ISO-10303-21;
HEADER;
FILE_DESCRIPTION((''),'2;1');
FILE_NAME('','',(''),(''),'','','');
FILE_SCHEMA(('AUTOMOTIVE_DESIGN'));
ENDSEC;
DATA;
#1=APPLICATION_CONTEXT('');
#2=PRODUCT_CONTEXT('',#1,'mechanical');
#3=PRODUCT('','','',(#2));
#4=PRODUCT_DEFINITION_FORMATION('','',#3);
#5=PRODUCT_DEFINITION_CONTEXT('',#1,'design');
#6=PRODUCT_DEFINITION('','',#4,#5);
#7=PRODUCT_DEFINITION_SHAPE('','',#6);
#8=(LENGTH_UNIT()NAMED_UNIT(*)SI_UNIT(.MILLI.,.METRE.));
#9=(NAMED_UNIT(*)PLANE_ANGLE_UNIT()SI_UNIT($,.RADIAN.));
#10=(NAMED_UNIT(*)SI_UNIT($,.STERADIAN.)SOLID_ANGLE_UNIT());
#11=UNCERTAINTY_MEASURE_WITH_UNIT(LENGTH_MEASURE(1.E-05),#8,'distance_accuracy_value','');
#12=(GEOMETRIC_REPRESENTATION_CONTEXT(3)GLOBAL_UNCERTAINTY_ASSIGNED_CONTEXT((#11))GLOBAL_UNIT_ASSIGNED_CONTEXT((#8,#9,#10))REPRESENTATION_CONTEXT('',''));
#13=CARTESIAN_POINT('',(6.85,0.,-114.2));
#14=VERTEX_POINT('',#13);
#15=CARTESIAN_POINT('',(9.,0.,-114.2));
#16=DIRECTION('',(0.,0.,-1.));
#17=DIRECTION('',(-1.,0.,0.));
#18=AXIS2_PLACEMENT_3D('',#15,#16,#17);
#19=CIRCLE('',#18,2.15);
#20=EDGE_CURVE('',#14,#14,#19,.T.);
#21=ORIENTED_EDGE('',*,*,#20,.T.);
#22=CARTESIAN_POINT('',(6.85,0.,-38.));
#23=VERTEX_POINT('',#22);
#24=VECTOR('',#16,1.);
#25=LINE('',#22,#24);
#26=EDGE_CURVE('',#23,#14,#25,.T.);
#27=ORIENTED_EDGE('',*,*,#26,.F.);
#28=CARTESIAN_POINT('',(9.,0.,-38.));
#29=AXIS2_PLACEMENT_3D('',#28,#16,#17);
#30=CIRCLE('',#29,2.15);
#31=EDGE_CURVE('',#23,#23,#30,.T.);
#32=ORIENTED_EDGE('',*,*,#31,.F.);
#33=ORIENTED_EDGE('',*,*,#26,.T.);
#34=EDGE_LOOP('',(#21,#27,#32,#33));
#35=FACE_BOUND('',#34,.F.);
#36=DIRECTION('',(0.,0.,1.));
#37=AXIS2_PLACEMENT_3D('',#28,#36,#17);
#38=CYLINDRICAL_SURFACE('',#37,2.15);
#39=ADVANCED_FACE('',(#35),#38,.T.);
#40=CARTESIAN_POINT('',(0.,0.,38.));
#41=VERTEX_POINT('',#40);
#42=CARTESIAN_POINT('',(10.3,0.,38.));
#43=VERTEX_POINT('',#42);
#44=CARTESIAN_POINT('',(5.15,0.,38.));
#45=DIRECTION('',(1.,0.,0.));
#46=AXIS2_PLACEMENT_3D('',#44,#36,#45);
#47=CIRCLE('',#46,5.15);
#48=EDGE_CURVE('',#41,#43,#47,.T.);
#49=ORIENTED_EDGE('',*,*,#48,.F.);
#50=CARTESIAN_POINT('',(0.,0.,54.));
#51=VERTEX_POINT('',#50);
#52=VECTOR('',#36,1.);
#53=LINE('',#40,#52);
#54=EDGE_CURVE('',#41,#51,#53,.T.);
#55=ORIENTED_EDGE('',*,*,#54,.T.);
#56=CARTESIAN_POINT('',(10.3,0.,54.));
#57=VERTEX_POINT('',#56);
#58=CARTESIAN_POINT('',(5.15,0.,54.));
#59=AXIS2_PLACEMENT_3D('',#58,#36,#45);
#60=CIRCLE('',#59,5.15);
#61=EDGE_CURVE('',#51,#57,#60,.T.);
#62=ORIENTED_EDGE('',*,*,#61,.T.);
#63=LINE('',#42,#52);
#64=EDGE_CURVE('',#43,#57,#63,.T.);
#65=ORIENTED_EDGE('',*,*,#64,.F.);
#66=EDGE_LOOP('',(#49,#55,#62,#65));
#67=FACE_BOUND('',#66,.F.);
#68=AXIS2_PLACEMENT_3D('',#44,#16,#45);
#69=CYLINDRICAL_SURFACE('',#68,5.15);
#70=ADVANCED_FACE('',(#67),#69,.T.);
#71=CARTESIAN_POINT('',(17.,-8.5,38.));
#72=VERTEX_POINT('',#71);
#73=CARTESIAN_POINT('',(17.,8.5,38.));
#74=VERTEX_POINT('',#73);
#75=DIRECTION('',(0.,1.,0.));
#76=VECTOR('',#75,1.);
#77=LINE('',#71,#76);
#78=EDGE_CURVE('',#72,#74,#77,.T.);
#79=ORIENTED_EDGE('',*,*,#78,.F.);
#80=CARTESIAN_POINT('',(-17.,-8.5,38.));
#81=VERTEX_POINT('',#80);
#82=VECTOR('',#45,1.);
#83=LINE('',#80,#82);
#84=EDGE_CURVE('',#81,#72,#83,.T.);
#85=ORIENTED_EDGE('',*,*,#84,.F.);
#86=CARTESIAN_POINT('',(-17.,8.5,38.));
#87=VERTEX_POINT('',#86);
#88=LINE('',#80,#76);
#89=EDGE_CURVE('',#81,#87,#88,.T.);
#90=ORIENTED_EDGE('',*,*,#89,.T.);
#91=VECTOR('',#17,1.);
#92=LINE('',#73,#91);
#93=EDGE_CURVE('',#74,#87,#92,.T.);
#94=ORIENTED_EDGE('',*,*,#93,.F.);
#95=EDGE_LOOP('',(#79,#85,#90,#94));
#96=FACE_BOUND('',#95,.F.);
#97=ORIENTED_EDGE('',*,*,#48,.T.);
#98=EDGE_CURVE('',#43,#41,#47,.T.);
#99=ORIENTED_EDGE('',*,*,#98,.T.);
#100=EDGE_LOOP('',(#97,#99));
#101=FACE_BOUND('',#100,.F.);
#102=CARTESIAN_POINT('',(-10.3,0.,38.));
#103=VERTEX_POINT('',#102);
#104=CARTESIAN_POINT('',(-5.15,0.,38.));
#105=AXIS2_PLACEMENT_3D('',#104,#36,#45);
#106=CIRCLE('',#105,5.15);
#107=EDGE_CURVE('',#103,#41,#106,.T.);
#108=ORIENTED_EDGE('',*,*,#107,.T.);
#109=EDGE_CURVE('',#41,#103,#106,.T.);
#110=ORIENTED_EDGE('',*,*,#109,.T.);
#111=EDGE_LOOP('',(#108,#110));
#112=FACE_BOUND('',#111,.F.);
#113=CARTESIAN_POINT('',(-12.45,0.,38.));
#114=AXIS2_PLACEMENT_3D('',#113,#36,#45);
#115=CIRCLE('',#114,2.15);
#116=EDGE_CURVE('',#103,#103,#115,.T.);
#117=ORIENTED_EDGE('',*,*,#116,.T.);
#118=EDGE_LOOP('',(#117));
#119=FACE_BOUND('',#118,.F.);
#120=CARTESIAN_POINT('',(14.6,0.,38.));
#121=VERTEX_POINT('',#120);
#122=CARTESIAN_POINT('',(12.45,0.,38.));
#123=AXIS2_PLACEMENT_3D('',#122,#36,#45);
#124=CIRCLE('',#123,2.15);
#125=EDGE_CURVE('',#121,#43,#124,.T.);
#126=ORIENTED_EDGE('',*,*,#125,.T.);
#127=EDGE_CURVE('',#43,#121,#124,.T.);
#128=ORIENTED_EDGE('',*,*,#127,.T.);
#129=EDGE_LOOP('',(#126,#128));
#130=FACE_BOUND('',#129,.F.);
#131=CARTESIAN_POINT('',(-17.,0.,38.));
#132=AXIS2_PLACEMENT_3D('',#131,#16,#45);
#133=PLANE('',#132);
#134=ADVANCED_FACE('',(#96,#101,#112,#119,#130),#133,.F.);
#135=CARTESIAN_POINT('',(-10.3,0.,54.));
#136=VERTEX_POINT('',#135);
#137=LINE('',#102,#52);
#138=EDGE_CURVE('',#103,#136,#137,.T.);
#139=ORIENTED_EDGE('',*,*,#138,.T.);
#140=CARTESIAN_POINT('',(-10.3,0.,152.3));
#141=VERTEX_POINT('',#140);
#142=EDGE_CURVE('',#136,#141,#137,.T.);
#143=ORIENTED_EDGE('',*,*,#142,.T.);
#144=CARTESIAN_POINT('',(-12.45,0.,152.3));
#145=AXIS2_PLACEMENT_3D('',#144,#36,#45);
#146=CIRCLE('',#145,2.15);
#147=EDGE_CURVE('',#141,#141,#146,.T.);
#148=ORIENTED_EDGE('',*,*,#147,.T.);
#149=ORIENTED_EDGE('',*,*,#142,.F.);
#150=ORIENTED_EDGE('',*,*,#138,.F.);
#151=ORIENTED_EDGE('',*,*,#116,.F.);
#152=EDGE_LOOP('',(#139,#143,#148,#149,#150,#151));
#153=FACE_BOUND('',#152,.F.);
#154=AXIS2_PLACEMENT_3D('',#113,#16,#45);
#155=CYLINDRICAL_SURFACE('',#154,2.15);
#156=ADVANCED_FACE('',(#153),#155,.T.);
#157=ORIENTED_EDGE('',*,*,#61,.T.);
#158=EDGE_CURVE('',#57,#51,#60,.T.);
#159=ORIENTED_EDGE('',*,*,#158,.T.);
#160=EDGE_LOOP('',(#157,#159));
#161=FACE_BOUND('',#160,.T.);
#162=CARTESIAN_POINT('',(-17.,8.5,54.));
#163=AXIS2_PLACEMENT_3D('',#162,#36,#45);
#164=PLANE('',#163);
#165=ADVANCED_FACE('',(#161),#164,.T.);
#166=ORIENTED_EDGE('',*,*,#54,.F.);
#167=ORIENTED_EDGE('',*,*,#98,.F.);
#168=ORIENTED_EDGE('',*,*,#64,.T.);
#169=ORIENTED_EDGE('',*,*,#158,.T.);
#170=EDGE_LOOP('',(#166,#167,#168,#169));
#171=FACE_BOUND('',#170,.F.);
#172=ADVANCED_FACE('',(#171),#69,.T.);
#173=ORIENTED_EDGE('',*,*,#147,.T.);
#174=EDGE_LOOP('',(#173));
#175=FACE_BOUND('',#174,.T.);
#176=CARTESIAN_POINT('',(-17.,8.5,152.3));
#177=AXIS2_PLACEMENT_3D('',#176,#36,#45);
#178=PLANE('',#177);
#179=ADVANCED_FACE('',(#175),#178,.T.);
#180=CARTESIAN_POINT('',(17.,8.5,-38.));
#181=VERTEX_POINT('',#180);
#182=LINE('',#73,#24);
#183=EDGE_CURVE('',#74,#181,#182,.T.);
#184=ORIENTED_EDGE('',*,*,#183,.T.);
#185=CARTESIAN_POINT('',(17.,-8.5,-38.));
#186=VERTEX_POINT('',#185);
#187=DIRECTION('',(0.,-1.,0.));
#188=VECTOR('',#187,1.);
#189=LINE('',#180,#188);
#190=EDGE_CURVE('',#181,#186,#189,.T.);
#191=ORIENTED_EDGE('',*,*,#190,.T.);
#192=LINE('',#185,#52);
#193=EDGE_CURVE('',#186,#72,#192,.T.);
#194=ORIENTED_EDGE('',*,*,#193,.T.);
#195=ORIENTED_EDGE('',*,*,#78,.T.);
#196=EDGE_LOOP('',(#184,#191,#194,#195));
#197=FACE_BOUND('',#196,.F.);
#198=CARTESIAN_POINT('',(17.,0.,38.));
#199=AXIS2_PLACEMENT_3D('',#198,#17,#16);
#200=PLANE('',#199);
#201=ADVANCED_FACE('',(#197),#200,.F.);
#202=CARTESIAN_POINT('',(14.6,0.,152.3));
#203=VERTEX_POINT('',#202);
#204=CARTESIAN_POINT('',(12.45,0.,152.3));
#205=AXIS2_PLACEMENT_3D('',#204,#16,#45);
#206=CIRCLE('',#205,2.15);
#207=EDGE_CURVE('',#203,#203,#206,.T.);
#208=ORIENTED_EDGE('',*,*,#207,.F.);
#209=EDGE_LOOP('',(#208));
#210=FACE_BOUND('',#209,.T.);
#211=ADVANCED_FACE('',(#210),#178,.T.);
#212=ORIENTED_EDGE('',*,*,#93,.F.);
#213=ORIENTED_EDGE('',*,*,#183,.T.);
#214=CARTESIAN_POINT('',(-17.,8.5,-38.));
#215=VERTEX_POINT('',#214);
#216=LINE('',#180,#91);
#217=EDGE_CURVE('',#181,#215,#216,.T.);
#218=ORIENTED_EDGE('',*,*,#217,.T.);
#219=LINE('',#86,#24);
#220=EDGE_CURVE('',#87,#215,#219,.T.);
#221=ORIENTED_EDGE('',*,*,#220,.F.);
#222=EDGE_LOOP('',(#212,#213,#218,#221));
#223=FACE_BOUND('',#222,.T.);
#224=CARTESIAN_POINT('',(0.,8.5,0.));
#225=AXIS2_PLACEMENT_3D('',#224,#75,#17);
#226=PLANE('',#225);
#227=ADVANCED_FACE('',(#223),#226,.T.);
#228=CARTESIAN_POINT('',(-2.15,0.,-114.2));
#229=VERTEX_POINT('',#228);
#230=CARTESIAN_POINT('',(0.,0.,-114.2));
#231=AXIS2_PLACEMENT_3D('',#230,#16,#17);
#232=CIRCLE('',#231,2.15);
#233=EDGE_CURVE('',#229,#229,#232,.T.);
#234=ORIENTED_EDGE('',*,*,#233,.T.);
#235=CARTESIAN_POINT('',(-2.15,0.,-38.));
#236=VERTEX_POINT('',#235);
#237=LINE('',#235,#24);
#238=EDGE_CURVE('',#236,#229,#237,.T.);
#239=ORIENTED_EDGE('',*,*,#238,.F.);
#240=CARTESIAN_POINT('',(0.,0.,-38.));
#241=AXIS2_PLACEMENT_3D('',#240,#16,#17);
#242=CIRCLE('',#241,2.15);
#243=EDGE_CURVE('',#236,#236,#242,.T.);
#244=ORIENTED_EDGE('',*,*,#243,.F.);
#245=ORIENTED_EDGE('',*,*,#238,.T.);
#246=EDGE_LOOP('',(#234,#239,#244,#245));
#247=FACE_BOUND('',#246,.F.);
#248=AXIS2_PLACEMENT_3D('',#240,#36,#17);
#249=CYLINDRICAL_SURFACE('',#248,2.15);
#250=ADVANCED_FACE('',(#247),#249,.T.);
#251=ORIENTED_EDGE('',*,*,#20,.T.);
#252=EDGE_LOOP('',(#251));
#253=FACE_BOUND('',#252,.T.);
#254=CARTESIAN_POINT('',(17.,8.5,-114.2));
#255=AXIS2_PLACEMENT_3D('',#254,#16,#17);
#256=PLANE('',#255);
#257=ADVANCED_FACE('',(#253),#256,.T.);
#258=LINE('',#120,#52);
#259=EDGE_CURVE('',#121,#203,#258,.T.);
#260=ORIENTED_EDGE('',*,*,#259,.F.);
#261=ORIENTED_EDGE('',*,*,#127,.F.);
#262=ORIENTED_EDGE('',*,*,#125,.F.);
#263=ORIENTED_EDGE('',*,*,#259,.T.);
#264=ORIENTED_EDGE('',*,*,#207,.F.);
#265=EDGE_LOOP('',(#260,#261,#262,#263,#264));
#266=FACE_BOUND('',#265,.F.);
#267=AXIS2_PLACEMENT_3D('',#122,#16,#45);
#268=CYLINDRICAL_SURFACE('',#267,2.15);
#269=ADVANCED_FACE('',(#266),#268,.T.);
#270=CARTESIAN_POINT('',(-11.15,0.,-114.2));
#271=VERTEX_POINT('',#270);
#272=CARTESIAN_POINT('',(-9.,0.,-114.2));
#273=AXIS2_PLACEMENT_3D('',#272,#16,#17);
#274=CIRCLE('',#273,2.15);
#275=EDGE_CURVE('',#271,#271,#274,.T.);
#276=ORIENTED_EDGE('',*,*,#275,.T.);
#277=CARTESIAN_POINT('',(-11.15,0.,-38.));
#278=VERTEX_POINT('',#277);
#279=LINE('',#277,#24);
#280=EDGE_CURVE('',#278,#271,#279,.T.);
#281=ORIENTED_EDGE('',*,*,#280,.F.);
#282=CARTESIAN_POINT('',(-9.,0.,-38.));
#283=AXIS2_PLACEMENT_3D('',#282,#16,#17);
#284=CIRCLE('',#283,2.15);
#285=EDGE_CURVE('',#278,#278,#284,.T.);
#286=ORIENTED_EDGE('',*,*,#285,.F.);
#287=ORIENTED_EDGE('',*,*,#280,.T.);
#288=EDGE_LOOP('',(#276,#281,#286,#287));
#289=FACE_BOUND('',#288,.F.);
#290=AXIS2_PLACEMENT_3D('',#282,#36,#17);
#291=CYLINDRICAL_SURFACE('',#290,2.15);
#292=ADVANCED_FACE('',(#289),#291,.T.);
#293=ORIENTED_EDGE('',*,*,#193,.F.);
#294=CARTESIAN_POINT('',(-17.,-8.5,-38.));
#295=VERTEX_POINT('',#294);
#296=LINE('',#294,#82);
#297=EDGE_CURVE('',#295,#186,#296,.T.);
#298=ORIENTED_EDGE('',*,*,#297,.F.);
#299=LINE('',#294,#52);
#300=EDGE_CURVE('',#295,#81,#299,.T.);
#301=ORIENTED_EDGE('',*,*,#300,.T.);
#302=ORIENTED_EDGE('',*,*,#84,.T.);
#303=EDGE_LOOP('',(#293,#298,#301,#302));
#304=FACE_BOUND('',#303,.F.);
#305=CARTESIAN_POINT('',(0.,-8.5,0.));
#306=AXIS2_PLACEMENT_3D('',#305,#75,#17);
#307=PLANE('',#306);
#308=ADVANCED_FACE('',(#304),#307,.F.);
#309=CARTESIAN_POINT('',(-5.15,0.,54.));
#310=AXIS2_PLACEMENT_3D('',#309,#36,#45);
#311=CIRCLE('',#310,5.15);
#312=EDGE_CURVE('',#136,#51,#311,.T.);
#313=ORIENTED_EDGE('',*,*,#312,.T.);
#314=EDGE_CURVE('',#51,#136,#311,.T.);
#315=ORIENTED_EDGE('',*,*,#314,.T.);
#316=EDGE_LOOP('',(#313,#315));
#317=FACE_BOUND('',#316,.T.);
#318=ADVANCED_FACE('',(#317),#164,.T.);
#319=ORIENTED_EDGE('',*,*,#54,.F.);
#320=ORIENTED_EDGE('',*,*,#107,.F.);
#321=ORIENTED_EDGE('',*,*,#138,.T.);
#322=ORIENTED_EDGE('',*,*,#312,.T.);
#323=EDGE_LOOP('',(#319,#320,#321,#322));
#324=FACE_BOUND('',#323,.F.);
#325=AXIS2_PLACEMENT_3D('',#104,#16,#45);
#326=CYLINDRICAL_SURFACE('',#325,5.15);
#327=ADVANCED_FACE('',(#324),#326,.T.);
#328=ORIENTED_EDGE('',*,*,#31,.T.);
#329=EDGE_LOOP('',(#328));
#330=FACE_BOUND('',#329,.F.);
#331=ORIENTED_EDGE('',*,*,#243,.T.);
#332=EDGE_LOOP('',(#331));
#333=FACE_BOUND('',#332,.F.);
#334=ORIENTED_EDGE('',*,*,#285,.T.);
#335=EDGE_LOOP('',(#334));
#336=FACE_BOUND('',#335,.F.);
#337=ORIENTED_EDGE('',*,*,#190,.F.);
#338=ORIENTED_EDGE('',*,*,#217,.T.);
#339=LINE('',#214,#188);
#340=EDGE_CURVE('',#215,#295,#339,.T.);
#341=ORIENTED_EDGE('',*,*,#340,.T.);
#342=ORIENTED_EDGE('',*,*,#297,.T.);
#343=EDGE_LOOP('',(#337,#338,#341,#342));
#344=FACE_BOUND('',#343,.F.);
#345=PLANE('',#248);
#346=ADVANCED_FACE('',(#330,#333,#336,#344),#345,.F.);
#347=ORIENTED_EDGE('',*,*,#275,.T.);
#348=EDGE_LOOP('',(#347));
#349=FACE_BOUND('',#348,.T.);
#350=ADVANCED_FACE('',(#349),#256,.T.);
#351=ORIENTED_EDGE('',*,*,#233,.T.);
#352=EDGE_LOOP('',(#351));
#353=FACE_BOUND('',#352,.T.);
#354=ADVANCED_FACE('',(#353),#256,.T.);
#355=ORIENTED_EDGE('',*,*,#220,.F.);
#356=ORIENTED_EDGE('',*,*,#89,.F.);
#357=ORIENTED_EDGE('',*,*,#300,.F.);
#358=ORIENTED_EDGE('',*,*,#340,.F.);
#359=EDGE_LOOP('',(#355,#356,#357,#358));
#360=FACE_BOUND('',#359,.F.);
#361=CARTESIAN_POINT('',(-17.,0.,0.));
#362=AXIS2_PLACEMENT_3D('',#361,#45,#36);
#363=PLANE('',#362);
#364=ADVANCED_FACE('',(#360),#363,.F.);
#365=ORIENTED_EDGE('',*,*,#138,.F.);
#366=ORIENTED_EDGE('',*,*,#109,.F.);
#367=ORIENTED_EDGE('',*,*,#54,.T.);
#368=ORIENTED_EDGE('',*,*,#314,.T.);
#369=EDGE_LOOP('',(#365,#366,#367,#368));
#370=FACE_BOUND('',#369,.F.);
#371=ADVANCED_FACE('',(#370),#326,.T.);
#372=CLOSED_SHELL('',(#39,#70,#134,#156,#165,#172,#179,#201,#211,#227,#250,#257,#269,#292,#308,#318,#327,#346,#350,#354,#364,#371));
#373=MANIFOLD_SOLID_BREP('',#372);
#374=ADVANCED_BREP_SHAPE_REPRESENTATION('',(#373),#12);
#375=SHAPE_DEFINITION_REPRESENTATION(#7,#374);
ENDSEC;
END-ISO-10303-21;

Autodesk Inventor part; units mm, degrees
ref_plane "YZ Plane" through (0, 0, 0) normal (1, 0, 0) x (0, 1, 0)
ref_plane "XZ Plane" through (0, 0, 0) normal (0, 1, 0) x (-1, 0, 0)
ref_plane "XY Plane" through (0, 0, 0) normal (0, 0, 1) x (1, 0, 0)
sketch "Sketch1" plane through (0, 0, 0) normal (0, 1, 0) x (-1, 0, 0)
  line L0 (17, 38) -> (-17, 38)
  line L1 (-17, 38) -> (-17, -38)
  line L2 (-17, -38) -> (17, -38)
  line L3 (17, -38) -> (17, 38)
  line L4 (23.8, 0) -> (-23.8, 0) projected
  line L5 (0, -53.2) -> (0, 53.2) projected
  point P0 (0, 0)
  dimension "d0" = 76
  dimension "d1" = 34
extrude "Extrusion1" add sketch "Sketch1" along normal mid plane 17
sketch "Sketch2" plane through (-17, 8.5, 38) normal (0, 0, 1) x (1, 0, 0)
  line L0 (34, -17) -> (34, 0) projected
  line L1 (0, 0) -> (34, 0) projected
  line L2 (0, 0) -> (0, -17) projected
  line L3 (34, -17) -> (0, -17) projected
  circle A0 centre (11.85, -8.5) radius 5.15
  circle A1 centre (22.15, -8.5) radius 5.15
  line L4 (11.85, -8.5) -> (22.15, -8.5) construction
  circle A2 centre (4.55, -8.5) radius 2.15
  circle A3 centre (29.45, -8.5) radius 2.15
  point P0 (17, -8.5)
  point P1 (17, -8.5)
  dimension "d4" = 10.3
  dimension "d7" = 4.3
extrude "Extrusion2" add sketch "Sketch2" along normal blind 16 contours A0 | A1
extrude "Extrusion3" add sketch "Sketch2" along normal blind 114.3 contours A2 | A3
sketch "Sketch3" plane through (17, 8.5, -38) normal (0, 0, -1) x (-1, 0, 0)
  circle A0 centre (17, -8.5) radius 2.15
  circle A1 centre (26, -8.5) radius 2.15
  circle A2 centre (8, -8.5) radius 2.15
  dimension "d10" = 4.3
  dimension "d11" = 9
  dimension "d12" = 9
extrude "Extrusion4" add sketch "Sketch3" along normal blind 76.2
properties part number "Turnigy_ESC" material "PPS Plastic"
